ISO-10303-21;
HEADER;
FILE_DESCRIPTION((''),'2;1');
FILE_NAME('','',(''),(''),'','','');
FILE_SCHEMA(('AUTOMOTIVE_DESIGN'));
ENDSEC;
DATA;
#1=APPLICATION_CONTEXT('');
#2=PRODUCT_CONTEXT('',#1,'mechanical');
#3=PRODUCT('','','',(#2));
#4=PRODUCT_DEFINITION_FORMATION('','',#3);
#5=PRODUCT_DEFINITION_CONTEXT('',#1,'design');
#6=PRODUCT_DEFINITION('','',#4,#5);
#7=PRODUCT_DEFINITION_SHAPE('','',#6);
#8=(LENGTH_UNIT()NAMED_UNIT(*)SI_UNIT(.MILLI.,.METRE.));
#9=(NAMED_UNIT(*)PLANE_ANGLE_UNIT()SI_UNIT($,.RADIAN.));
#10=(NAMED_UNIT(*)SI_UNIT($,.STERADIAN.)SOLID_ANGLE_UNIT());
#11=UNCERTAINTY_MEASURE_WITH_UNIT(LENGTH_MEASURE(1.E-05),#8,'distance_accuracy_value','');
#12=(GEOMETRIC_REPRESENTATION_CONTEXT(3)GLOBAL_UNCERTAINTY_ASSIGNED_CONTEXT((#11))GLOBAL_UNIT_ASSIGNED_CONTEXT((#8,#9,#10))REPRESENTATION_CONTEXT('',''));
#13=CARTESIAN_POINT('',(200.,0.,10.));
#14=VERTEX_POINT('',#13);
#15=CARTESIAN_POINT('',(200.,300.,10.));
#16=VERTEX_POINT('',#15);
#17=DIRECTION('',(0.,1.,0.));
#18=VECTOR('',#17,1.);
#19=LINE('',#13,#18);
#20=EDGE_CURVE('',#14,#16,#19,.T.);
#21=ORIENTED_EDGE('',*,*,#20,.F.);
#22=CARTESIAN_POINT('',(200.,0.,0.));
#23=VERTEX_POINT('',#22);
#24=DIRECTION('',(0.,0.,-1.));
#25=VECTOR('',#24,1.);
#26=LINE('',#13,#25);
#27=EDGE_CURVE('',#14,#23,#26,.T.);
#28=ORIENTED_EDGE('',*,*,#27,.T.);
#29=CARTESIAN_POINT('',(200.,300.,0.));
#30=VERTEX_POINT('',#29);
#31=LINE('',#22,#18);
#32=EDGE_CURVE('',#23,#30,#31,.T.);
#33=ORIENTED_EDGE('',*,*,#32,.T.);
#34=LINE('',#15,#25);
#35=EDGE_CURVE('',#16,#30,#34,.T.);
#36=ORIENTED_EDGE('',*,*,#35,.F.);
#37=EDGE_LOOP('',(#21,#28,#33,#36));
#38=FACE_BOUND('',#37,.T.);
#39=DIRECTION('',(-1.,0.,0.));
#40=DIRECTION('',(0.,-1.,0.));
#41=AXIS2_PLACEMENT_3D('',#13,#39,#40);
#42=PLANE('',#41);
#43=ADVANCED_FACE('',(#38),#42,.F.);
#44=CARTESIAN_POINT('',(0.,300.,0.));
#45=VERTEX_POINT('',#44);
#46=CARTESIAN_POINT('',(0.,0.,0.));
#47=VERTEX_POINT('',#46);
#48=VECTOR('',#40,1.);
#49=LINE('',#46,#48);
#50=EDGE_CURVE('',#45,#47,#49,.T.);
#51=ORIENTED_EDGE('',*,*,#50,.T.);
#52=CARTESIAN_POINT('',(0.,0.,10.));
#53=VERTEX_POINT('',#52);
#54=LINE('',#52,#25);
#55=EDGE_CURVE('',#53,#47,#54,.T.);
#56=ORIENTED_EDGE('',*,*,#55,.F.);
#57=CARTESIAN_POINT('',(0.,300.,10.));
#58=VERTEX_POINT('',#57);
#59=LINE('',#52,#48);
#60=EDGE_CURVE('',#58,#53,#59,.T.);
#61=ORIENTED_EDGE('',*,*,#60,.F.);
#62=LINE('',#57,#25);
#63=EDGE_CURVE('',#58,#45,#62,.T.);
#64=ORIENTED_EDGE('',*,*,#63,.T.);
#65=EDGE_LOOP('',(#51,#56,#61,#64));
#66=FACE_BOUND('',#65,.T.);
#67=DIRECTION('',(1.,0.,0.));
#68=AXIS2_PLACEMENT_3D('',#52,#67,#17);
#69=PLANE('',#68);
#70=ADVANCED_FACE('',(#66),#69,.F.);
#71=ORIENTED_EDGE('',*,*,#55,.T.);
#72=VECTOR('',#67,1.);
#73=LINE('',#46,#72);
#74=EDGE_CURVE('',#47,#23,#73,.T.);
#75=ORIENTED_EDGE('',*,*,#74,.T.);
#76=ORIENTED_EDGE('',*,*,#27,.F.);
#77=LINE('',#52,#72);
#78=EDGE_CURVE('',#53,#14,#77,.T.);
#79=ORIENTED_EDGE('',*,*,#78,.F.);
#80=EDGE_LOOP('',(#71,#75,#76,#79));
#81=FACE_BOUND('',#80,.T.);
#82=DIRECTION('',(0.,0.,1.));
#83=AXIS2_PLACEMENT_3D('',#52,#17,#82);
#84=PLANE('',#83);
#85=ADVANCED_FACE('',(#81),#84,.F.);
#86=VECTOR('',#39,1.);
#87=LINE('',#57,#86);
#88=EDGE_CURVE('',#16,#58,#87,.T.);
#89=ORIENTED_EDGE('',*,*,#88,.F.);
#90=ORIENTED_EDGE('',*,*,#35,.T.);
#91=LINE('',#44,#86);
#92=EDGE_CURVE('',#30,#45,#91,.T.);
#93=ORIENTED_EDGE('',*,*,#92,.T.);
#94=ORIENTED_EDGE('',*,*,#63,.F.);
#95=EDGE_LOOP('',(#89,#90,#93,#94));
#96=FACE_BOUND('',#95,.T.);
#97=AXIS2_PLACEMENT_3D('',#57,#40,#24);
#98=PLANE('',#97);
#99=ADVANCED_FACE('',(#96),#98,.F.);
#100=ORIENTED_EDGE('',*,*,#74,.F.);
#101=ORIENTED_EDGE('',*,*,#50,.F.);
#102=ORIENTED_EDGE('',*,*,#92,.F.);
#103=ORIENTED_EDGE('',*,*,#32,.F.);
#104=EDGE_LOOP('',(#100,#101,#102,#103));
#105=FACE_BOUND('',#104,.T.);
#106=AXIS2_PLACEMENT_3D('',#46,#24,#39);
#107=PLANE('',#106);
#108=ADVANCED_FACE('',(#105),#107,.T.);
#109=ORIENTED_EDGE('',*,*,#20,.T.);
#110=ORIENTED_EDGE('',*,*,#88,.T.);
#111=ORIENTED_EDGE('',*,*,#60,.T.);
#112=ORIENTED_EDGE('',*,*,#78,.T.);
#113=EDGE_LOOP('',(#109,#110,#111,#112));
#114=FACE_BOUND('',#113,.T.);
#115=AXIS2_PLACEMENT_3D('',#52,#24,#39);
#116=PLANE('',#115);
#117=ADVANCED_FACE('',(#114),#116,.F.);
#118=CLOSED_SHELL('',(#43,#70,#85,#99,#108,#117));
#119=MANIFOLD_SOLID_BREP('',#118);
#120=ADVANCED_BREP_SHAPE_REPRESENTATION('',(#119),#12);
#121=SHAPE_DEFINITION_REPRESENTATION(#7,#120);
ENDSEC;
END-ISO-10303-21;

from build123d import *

# Parameters (mm, degrees)
SKETCH1_W           = 200
SKETCH1_H           = 300
BOSS_EXTRUDE1_DEPTH = 10


with BuildPart() as part:
    # Sketch1 → Boss-Extrude1 (new body)
    with BuildSketch(Plane.XY):
        with Locations((100, 150)):
            Rectangle(SKETCH1_W, SKETCH1_H)
    extrude(amount=BOSS_EXTRUDE1_DEPTH)


solid = part.part
